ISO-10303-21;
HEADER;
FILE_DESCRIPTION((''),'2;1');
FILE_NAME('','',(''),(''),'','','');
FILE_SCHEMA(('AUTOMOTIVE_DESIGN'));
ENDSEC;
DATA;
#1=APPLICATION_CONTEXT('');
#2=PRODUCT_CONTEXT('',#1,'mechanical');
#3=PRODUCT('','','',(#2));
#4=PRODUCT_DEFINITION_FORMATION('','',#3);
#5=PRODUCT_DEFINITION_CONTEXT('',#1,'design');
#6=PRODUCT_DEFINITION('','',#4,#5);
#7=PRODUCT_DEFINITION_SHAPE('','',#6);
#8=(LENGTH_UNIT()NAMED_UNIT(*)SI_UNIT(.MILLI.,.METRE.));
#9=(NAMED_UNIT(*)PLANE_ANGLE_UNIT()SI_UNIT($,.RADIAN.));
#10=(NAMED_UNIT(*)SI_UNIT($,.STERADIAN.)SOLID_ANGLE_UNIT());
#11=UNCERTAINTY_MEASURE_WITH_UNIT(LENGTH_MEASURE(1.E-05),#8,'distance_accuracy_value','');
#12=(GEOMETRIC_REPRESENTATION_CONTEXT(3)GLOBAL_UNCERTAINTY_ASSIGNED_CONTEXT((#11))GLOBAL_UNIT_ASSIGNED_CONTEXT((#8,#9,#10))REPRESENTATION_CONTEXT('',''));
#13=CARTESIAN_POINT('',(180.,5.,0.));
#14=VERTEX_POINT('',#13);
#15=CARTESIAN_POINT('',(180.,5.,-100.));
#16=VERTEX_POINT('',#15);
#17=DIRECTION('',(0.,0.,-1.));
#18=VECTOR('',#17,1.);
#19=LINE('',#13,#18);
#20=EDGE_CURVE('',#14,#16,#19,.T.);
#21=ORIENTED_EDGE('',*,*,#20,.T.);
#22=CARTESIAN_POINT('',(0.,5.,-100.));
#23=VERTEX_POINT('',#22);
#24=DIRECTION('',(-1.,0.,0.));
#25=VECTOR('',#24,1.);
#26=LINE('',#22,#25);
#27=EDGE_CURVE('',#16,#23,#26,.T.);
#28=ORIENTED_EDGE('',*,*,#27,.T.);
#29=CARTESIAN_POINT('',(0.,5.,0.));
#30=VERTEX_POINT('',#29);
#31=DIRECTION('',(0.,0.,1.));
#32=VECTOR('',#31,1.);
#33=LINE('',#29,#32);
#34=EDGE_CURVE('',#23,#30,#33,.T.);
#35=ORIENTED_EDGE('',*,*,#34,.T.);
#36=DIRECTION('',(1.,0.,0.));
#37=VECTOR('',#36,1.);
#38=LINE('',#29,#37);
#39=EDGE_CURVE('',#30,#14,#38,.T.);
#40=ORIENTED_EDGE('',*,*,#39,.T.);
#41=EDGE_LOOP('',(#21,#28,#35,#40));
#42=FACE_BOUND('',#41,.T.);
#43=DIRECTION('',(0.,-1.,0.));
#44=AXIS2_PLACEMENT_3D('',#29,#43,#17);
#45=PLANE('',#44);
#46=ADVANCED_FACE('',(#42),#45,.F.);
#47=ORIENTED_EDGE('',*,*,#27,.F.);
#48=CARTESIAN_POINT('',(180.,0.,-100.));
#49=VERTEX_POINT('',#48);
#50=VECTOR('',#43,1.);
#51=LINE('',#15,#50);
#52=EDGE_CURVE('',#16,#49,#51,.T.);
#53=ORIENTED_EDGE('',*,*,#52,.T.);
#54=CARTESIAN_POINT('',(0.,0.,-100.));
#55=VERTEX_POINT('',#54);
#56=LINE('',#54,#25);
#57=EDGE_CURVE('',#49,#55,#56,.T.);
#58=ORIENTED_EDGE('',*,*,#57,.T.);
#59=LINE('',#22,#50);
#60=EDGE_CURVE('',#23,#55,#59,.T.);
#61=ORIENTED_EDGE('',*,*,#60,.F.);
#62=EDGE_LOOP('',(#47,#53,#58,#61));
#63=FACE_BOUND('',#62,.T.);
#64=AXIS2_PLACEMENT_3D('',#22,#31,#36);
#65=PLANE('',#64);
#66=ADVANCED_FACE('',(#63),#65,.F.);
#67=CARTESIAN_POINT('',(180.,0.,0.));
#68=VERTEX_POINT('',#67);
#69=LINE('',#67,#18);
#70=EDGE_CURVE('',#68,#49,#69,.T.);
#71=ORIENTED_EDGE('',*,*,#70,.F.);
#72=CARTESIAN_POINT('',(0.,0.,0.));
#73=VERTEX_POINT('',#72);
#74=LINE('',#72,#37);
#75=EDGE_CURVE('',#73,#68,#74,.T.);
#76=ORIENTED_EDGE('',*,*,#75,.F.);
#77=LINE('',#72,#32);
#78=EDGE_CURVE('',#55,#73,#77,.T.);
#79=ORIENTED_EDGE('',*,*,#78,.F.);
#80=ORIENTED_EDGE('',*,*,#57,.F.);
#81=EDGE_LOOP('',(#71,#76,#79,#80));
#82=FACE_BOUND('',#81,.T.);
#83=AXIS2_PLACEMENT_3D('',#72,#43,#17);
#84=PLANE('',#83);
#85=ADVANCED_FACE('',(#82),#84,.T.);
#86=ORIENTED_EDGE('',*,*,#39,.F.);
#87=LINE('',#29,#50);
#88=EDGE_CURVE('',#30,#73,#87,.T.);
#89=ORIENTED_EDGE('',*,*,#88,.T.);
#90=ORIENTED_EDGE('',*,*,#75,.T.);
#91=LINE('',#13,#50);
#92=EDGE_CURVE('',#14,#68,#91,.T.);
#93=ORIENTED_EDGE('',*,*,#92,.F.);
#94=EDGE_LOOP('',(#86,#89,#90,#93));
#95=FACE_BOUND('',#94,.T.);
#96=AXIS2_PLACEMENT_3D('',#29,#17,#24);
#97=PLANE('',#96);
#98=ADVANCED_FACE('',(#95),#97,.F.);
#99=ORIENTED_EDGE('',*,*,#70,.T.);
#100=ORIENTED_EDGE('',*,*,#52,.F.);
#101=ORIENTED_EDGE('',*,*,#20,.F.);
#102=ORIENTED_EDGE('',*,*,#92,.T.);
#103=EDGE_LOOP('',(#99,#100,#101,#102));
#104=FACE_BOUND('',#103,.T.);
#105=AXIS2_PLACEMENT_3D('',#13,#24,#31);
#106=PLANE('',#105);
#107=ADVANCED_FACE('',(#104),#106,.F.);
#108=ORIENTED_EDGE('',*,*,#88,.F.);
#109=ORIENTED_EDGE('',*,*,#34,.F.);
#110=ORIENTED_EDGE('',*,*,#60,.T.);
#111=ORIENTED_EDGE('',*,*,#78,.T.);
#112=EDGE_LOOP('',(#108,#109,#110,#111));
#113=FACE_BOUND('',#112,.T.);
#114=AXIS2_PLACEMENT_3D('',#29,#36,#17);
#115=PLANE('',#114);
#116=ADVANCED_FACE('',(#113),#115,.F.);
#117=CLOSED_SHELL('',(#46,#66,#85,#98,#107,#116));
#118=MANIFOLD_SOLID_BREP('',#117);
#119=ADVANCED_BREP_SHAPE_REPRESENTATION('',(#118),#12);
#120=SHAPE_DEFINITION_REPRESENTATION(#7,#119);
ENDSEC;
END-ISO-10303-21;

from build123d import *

# Parameters (mm, degrees)
SKETCH_1_W      = 180
SKETCH_1_H      = 100
EXTRUDE_1_DEPTH = 5


with BuildPart() as part:
    # 스케치1 → 보스-돌출1 (new body)
    with BuildSketch(Plane(origin=(0, 0, 0), x_dir=(1, 0, 0), z_dir=(0, 1, 0))):
        with Locations((90, 50)):
            Rectangle(SKETCH_1_W, SKETCH_1_H)
    extrude(amount=EXTRUDE_1_DEPTH)


solid = part.part
